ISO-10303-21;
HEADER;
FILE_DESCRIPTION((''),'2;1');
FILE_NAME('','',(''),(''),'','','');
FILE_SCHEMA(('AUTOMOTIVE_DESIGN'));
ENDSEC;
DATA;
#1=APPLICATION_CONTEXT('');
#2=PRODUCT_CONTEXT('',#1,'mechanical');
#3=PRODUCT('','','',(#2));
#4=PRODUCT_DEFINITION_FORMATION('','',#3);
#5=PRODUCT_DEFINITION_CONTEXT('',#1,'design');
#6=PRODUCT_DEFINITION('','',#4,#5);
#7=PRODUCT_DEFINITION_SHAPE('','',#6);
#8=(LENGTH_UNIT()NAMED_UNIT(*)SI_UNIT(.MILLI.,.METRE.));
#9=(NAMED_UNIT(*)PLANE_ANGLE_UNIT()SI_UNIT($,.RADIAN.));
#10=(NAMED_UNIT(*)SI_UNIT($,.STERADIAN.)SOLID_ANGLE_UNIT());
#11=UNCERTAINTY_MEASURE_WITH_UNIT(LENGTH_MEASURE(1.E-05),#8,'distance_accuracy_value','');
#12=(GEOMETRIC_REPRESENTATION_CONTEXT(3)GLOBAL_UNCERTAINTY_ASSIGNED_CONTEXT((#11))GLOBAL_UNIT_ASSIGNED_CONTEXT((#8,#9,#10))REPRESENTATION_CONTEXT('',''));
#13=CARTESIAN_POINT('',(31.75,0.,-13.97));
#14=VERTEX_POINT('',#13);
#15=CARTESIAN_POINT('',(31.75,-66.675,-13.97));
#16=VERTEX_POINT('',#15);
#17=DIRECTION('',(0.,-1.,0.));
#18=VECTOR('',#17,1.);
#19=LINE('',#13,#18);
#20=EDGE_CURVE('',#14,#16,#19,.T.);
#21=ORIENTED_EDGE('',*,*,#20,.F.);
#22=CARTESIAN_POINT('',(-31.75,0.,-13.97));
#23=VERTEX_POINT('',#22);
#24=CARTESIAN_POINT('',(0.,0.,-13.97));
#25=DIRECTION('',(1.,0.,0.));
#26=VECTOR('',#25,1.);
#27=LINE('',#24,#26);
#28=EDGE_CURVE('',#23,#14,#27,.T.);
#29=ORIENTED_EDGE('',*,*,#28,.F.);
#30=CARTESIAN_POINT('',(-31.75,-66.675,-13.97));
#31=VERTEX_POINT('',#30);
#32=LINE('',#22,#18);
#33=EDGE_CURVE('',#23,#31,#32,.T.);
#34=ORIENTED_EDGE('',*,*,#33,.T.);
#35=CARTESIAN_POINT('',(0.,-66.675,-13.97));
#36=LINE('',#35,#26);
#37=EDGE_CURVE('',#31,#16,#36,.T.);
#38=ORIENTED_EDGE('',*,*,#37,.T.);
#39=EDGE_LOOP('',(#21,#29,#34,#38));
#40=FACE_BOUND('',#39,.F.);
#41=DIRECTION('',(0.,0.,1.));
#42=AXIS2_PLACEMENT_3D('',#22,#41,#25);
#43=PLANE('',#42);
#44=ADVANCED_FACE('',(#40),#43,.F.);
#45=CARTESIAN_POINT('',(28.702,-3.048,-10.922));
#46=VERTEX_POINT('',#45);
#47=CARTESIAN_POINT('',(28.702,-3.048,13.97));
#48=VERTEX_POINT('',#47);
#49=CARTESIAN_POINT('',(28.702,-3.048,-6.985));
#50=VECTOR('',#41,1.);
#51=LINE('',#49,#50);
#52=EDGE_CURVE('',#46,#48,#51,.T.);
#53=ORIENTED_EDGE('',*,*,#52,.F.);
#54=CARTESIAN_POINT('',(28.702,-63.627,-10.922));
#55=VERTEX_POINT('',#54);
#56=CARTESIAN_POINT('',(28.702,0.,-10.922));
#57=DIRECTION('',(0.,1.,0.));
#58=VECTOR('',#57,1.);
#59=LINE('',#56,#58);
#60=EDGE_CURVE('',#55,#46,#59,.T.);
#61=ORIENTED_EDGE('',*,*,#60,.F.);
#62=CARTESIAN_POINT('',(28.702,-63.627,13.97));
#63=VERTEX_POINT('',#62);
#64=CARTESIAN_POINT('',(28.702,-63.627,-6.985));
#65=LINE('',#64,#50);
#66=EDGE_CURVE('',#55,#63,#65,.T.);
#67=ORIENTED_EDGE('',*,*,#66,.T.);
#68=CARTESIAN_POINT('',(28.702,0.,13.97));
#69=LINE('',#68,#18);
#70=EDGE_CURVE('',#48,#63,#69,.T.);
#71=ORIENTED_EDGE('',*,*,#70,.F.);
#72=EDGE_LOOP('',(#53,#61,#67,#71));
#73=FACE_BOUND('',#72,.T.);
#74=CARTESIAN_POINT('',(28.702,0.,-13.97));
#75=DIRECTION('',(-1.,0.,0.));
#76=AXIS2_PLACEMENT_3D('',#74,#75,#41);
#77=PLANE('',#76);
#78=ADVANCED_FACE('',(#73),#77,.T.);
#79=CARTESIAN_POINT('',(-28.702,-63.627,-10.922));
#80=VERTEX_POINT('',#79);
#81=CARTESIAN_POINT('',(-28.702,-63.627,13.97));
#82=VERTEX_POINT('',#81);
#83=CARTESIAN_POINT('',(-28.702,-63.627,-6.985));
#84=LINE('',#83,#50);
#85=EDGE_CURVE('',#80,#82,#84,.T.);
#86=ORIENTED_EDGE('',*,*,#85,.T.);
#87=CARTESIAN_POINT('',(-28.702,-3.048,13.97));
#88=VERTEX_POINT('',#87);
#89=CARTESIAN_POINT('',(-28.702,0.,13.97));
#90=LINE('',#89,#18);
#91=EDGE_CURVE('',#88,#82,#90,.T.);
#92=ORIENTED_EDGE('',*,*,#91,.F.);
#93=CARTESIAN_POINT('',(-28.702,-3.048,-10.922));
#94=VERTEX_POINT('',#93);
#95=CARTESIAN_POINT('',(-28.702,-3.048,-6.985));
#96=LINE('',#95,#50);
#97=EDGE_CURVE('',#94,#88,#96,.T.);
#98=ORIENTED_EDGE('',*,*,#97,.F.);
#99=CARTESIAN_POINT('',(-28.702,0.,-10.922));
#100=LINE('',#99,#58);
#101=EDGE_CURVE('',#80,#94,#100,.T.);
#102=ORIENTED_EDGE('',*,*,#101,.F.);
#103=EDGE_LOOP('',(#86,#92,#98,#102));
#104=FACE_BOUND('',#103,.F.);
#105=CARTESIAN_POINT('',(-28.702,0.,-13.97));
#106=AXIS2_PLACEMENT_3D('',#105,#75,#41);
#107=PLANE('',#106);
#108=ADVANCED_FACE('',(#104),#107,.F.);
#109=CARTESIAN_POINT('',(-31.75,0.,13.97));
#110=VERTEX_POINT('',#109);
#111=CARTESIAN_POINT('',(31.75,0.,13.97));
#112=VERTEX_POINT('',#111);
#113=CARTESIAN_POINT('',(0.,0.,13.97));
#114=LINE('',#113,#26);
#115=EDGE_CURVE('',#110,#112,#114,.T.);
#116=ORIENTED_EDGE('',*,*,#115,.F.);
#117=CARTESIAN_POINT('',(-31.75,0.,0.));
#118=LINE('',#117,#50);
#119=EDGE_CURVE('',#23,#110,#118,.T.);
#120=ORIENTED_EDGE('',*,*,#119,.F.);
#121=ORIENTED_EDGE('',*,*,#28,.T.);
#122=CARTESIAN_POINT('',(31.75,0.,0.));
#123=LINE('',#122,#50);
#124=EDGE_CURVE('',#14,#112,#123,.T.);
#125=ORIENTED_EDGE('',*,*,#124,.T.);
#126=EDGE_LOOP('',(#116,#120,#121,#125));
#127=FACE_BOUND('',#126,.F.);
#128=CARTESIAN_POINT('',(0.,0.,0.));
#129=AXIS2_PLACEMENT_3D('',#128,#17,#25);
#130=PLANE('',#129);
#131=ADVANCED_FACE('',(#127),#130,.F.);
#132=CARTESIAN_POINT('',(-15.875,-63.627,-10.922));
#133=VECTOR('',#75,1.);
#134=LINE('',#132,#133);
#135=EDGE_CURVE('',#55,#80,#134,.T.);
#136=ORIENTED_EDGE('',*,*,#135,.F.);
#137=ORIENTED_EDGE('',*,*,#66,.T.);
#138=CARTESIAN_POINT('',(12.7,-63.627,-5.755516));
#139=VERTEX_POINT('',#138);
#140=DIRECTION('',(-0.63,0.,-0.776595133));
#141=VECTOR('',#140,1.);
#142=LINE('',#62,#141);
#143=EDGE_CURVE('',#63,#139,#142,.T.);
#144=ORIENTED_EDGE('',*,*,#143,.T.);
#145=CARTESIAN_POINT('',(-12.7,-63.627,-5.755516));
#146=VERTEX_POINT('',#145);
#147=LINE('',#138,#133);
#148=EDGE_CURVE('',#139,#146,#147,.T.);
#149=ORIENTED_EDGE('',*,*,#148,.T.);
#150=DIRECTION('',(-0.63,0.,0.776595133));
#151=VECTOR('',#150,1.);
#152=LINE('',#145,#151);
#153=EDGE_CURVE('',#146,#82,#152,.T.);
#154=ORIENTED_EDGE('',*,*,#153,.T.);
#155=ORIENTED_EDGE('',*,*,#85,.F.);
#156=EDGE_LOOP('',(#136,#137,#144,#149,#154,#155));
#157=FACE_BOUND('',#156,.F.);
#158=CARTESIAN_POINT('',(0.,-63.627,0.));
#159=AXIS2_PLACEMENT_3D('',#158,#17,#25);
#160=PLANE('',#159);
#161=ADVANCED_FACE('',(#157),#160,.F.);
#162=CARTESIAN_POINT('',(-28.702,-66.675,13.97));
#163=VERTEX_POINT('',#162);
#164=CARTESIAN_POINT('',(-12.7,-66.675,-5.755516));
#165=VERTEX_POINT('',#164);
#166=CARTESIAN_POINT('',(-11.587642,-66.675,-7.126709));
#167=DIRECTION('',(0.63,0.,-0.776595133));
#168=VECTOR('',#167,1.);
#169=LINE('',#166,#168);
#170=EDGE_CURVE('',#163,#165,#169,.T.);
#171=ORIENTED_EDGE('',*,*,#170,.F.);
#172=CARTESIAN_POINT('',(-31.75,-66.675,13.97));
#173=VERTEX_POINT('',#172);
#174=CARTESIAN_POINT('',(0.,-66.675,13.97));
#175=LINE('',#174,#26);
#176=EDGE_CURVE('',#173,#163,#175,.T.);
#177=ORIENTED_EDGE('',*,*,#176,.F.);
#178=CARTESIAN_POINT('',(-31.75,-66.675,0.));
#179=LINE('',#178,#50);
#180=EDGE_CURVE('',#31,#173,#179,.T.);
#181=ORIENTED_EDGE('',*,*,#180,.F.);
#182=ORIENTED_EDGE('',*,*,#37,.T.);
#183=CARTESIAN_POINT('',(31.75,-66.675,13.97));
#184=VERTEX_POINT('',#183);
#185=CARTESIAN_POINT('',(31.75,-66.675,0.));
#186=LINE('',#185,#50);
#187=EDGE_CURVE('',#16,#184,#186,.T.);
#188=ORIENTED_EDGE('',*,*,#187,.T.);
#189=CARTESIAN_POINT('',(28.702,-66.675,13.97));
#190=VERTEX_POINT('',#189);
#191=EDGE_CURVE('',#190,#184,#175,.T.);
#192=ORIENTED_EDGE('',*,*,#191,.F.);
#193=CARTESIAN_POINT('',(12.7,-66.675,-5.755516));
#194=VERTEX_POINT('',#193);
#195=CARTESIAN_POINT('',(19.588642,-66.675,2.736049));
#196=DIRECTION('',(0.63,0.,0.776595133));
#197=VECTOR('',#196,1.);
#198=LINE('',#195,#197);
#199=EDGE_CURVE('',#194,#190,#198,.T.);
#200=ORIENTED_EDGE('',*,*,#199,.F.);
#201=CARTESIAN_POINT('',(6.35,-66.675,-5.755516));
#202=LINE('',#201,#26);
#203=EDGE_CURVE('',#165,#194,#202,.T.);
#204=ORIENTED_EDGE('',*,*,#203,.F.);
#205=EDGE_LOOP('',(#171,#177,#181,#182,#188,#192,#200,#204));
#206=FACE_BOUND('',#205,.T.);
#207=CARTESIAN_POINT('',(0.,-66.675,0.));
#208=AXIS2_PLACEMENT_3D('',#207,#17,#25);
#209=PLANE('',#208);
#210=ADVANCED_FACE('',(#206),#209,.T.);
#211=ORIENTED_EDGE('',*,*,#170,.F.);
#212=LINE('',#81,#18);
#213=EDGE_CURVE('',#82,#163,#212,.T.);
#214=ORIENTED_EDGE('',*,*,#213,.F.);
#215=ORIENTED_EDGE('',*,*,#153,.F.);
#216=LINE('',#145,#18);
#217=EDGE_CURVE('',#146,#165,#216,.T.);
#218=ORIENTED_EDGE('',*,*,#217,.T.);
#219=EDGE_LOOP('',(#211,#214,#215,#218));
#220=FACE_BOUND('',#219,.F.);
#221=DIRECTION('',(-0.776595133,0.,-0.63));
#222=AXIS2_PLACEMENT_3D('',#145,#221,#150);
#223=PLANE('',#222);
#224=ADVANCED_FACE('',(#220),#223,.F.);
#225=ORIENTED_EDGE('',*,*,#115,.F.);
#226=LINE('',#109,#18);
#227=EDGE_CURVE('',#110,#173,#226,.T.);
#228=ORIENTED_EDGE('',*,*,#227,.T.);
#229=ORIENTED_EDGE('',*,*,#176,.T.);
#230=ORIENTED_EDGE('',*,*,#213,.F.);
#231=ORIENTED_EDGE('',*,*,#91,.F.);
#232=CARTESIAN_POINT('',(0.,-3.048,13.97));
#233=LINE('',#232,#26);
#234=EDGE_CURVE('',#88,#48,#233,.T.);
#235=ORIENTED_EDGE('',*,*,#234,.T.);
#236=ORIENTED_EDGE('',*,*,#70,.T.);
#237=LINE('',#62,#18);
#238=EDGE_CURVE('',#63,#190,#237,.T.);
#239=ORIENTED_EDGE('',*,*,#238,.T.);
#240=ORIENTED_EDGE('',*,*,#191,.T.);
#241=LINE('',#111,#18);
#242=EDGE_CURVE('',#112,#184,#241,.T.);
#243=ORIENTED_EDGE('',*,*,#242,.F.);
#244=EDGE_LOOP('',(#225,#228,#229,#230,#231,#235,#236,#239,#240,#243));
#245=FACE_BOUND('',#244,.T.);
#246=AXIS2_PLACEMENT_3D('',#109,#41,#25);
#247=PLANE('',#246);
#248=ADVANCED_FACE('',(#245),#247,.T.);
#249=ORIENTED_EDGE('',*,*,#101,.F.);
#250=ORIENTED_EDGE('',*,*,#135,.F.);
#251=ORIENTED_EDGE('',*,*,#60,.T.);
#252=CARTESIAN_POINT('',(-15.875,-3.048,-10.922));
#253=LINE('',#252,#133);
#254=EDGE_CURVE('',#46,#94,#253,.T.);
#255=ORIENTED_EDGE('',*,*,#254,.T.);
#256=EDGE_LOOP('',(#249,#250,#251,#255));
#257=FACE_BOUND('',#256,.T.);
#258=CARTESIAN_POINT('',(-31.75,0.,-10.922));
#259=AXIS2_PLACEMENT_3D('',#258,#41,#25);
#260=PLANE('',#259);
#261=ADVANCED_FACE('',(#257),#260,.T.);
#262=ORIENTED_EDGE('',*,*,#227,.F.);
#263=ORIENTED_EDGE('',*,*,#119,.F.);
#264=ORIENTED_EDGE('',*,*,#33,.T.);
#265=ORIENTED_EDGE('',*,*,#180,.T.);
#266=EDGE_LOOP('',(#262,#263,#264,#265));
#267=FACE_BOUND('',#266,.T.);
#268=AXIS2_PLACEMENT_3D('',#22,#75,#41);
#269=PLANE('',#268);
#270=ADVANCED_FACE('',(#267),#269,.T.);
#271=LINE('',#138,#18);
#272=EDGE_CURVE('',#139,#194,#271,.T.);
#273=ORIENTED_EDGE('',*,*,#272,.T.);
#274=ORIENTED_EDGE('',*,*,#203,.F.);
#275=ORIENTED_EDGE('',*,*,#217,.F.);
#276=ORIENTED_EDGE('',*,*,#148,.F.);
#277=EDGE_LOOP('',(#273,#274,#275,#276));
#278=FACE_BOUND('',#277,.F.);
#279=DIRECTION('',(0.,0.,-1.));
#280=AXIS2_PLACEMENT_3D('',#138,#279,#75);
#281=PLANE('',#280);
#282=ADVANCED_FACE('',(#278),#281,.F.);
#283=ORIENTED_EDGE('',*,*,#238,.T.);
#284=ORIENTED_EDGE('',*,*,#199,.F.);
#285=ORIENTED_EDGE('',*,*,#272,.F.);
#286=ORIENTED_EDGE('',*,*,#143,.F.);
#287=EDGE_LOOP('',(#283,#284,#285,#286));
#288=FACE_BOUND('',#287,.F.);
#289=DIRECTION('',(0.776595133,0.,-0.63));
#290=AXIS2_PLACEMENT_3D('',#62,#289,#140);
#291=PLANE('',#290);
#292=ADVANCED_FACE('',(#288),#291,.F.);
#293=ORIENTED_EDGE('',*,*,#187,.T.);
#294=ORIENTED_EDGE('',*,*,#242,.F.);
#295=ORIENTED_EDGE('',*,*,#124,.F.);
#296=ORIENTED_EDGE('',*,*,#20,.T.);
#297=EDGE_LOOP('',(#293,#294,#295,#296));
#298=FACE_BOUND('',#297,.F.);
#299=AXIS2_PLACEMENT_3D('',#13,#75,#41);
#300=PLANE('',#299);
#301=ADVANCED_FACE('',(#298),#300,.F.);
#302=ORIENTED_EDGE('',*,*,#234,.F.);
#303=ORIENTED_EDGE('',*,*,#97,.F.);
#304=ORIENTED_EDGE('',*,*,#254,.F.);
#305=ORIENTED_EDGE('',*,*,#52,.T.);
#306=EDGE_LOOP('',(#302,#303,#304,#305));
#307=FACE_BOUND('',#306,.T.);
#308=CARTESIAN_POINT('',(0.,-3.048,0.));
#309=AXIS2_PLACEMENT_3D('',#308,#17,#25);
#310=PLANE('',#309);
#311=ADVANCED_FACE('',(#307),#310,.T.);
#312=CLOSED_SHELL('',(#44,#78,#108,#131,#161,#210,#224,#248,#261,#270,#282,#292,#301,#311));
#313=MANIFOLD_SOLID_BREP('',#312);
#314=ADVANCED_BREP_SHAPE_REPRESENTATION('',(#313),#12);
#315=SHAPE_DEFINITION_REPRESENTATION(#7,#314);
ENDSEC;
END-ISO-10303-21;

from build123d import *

# Parameters (mm, degrees)
F0_W     = 63.5
F0_H     = 27.94
F1_DEPTH = 66.675
F2_T     = -3.048
F4_DEPTH = 25.4


with BuildPart() as f1:
    # F0 (on Front) → F1 (new body)
    with BuildSketch(Plane.XZ):
        Rectangle(F0_W, F0_H)
    extrude(amount=F1_DEPTH)

    # F2
    f2_openings = [f1.faces().sort_by_distance(p)[0] for p in [
        (0, -33.3375, 13.97),
    ]]
    offset(amount=F2_T, openings=f2_openings)

    # F3 (on face) → F4 (cut)
    with BuildSketch(Plane(origin=(0, -63.627, 0), x_dir=(-1, 0, 0), z_dir=(0, 1, 0))):
        Polygon((12.7, -5.7555163684), (28.702, 13.97), (-28.702, 13.97), (-12.7, -5.7555163684), (0, -5.7555163684), align=None)
    extrude(amount=-F4_DEPTH, mode=Mode.SUBTRACT)


solid = f1.part
